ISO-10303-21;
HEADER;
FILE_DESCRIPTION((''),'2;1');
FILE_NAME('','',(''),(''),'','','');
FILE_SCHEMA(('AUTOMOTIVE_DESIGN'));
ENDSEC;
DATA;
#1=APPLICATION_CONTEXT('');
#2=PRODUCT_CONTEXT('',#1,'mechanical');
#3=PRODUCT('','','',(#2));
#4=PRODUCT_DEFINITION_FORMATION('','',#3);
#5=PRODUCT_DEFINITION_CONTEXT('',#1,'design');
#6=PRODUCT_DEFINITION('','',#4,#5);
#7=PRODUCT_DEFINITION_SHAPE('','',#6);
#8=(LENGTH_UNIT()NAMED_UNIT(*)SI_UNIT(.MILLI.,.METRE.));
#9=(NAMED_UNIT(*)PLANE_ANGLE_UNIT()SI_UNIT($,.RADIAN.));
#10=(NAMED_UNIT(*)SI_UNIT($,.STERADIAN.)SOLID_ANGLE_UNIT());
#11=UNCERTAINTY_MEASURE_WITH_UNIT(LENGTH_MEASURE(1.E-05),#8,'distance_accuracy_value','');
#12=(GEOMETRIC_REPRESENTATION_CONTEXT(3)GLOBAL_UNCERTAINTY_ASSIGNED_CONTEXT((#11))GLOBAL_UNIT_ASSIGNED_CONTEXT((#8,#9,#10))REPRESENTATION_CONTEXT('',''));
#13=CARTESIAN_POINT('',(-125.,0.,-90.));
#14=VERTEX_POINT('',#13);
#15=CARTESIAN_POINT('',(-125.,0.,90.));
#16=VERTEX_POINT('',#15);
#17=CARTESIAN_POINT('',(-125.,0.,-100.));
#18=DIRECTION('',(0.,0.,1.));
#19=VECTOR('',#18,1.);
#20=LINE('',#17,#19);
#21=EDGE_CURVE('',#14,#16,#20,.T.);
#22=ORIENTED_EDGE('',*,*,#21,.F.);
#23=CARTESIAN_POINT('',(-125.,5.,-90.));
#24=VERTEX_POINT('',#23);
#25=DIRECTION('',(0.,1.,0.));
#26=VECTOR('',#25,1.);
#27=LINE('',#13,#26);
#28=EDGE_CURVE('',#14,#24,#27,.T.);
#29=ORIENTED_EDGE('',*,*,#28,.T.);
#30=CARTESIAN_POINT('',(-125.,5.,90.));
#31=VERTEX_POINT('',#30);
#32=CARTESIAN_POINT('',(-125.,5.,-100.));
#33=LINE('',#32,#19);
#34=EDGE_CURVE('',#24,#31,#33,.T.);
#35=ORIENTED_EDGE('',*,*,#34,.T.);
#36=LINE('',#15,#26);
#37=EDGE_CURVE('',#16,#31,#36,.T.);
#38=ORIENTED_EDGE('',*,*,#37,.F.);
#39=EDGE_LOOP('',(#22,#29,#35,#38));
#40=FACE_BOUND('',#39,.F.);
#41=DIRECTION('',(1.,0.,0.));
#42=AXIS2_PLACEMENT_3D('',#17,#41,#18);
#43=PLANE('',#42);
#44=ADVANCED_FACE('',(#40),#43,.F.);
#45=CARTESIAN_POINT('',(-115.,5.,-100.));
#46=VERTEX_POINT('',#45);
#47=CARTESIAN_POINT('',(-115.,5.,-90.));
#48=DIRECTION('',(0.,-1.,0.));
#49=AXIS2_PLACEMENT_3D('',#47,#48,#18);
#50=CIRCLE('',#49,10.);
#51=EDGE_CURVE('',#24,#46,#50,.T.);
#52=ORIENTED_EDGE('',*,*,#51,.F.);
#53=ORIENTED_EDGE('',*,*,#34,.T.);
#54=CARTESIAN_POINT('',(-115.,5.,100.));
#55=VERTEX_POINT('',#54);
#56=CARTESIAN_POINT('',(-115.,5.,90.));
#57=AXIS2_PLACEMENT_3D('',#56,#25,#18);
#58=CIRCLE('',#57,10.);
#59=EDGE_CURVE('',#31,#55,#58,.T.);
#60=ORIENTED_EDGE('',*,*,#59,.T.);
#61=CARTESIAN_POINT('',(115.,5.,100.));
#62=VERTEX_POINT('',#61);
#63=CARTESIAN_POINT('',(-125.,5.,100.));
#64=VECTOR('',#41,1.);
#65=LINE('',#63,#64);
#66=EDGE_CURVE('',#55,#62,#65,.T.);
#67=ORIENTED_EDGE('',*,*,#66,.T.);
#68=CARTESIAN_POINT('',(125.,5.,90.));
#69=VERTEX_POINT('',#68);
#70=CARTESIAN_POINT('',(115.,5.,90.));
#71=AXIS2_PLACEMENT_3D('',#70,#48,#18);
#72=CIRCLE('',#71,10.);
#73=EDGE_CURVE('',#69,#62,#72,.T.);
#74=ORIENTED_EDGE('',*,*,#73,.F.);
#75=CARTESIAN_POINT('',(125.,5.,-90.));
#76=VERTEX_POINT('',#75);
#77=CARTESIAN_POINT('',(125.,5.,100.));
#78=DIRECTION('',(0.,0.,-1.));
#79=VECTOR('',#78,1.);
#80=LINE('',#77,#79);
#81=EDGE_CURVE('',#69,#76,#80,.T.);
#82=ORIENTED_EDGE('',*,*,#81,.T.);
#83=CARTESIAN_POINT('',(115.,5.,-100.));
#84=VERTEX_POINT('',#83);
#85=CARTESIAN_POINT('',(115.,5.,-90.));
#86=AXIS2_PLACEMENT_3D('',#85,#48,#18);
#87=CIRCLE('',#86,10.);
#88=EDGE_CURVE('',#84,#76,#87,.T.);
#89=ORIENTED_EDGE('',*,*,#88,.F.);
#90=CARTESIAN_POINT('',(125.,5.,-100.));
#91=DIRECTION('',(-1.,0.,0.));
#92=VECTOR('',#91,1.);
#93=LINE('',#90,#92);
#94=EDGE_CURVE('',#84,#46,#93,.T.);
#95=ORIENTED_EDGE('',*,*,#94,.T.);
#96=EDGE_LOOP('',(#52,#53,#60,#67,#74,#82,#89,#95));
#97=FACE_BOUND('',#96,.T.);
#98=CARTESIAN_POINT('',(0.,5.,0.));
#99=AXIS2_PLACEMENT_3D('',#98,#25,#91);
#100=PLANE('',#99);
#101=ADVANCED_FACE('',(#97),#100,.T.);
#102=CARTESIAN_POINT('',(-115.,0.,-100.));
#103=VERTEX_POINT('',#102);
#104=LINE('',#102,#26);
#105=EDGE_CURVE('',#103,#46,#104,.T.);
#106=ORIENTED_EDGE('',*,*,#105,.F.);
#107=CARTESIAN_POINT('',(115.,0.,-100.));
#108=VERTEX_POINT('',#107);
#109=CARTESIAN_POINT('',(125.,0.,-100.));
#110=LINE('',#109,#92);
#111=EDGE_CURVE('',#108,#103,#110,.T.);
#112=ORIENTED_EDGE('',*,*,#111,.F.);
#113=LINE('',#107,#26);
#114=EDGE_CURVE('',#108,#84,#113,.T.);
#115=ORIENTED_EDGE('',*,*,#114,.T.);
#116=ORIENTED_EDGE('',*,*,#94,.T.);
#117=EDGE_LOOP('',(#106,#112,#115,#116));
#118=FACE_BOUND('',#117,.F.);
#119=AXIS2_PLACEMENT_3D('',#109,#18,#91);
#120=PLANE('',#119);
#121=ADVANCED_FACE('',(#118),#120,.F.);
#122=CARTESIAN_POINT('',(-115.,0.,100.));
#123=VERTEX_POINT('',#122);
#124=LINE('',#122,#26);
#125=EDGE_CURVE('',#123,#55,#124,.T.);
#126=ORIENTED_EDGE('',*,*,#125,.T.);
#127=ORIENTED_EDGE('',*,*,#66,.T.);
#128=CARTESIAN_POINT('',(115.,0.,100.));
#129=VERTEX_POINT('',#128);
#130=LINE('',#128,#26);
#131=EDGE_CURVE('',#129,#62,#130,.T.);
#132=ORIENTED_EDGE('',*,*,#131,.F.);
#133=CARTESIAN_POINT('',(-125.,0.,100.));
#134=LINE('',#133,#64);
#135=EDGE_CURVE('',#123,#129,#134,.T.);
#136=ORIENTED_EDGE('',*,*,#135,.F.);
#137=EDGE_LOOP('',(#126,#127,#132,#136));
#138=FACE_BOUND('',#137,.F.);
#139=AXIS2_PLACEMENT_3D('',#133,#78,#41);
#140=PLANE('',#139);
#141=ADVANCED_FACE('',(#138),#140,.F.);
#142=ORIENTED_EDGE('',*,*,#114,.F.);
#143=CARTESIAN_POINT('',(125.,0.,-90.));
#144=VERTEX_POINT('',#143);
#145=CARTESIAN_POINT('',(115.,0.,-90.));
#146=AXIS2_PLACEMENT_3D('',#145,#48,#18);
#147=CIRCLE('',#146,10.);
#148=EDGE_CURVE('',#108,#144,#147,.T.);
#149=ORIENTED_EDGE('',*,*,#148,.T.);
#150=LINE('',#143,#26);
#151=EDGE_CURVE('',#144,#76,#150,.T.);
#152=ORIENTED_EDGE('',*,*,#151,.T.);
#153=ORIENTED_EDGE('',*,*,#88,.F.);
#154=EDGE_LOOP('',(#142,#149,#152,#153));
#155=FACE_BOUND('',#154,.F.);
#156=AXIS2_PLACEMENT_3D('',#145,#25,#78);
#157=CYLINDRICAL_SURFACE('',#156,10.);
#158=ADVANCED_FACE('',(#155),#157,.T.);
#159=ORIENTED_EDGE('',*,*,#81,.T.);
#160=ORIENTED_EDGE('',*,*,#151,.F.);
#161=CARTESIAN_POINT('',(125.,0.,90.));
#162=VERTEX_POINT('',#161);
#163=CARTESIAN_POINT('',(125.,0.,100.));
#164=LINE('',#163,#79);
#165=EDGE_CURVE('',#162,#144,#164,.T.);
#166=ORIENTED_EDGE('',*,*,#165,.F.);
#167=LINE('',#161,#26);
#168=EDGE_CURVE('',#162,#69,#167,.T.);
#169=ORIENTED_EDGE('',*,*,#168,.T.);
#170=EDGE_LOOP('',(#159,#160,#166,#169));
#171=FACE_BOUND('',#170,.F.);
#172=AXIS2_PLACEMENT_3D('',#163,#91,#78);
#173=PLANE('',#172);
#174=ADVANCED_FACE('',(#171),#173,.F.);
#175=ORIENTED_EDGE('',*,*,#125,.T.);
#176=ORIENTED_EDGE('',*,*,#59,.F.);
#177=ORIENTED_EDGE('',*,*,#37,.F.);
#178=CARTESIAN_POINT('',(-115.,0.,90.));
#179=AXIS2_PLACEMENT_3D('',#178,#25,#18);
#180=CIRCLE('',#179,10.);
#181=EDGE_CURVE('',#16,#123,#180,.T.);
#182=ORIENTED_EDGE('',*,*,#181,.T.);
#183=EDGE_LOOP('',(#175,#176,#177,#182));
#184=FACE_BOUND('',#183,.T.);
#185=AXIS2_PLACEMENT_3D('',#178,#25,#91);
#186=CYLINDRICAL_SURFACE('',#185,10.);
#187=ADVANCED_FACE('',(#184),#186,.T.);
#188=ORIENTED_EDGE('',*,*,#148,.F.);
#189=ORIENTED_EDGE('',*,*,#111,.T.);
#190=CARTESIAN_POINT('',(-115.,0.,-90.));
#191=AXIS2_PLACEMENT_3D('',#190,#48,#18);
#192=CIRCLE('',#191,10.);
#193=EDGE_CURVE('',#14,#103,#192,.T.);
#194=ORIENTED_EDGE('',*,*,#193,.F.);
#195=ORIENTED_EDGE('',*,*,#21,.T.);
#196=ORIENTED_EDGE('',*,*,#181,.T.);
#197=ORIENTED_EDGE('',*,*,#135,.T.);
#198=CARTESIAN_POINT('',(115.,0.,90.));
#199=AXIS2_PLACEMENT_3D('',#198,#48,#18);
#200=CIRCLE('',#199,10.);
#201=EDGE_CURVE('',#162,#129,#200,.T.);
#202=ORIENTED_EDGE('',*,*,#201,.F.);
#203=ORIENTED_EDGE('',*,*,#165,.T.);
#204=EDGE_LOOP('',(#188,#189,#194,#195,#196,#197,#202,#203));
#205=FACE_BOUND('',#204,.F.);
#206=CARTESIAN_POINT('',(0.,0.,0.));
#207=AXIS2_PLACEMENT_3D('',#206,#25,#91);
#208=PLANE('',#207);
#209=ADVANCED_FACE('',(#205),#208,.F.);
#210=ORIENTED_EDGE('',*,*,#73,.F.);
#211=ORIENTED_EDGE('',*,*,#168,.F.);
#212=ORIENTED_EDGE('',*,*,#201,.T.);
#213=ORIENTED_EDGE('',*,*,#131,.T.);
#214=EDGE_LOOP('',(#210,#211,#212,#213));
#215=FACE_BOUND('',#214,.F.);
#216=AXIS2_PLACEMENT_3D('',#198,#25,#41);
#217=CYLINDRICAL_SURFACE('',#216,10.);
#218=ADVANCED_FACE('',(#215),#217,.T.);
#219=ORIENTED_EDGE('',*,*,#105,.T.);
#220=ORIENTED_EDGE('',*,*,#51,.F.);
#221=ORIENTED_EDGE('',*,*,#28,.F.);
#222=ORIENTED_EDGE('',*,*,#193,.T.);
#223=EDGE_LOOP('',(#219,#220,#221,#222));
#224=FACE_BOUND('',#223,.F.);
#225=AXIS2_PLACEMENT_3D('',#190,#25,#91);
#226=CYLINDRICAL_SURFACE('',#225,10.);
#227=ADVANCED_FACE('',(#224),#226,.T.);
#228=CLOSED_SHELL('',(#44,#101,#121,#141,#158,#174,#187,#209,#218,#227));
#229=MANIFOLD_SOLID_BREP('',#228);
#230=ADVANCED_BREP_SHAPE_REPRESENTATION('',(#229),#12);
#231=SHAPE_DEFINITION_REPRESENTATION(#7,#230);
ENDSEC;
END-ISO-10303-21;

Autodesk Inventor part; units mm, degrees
ref_plane "YZ Plane" through (0, 0, 0) normal (1, 0, 0) x (0, 1, 0)
ref_plane "XZ Plane" through (0, 0, 0) normal (0, 1, 0) x (-1, 0, 0)
ref_plane "XY Plane" through (0, 0, 0) normal (0, 0, 1) x (1, 0, 0)
sketch "Sketch1" plane through (0, 0, 0) normal (0, 0, 1) x (1, 0, 0)
  point P0 (0, 0)
sketch "Sketch2" plane through (0, 0, 0) normal (0, 1, 0) x (-1, 0, 0)
  line L0 (125, 100) -> (-125, 100)
  line L1 (-125, 100) -> (-125, -100)
  line L2 (-125, -100) -> (125, -100)
  line L3 (125, -100) -> (125, 100)
  line L4 (125, 100) -> (-125, -100) construction
  line L5 (-125, 100) -> (125, -100) construction
  point P0 (0, 0)
  dimension "d0" = 250
  dimension "d1" = 200
extrude "Extrusion1" add sketch "Sketch2" along normal blind 5
fillet "Fillet1" radius 10 4 edges at (125, 2.5, 100) (125, 2.5, -100) (-125, 2.5, -100) (-125, 2.5, 100)
properties part number "base"
